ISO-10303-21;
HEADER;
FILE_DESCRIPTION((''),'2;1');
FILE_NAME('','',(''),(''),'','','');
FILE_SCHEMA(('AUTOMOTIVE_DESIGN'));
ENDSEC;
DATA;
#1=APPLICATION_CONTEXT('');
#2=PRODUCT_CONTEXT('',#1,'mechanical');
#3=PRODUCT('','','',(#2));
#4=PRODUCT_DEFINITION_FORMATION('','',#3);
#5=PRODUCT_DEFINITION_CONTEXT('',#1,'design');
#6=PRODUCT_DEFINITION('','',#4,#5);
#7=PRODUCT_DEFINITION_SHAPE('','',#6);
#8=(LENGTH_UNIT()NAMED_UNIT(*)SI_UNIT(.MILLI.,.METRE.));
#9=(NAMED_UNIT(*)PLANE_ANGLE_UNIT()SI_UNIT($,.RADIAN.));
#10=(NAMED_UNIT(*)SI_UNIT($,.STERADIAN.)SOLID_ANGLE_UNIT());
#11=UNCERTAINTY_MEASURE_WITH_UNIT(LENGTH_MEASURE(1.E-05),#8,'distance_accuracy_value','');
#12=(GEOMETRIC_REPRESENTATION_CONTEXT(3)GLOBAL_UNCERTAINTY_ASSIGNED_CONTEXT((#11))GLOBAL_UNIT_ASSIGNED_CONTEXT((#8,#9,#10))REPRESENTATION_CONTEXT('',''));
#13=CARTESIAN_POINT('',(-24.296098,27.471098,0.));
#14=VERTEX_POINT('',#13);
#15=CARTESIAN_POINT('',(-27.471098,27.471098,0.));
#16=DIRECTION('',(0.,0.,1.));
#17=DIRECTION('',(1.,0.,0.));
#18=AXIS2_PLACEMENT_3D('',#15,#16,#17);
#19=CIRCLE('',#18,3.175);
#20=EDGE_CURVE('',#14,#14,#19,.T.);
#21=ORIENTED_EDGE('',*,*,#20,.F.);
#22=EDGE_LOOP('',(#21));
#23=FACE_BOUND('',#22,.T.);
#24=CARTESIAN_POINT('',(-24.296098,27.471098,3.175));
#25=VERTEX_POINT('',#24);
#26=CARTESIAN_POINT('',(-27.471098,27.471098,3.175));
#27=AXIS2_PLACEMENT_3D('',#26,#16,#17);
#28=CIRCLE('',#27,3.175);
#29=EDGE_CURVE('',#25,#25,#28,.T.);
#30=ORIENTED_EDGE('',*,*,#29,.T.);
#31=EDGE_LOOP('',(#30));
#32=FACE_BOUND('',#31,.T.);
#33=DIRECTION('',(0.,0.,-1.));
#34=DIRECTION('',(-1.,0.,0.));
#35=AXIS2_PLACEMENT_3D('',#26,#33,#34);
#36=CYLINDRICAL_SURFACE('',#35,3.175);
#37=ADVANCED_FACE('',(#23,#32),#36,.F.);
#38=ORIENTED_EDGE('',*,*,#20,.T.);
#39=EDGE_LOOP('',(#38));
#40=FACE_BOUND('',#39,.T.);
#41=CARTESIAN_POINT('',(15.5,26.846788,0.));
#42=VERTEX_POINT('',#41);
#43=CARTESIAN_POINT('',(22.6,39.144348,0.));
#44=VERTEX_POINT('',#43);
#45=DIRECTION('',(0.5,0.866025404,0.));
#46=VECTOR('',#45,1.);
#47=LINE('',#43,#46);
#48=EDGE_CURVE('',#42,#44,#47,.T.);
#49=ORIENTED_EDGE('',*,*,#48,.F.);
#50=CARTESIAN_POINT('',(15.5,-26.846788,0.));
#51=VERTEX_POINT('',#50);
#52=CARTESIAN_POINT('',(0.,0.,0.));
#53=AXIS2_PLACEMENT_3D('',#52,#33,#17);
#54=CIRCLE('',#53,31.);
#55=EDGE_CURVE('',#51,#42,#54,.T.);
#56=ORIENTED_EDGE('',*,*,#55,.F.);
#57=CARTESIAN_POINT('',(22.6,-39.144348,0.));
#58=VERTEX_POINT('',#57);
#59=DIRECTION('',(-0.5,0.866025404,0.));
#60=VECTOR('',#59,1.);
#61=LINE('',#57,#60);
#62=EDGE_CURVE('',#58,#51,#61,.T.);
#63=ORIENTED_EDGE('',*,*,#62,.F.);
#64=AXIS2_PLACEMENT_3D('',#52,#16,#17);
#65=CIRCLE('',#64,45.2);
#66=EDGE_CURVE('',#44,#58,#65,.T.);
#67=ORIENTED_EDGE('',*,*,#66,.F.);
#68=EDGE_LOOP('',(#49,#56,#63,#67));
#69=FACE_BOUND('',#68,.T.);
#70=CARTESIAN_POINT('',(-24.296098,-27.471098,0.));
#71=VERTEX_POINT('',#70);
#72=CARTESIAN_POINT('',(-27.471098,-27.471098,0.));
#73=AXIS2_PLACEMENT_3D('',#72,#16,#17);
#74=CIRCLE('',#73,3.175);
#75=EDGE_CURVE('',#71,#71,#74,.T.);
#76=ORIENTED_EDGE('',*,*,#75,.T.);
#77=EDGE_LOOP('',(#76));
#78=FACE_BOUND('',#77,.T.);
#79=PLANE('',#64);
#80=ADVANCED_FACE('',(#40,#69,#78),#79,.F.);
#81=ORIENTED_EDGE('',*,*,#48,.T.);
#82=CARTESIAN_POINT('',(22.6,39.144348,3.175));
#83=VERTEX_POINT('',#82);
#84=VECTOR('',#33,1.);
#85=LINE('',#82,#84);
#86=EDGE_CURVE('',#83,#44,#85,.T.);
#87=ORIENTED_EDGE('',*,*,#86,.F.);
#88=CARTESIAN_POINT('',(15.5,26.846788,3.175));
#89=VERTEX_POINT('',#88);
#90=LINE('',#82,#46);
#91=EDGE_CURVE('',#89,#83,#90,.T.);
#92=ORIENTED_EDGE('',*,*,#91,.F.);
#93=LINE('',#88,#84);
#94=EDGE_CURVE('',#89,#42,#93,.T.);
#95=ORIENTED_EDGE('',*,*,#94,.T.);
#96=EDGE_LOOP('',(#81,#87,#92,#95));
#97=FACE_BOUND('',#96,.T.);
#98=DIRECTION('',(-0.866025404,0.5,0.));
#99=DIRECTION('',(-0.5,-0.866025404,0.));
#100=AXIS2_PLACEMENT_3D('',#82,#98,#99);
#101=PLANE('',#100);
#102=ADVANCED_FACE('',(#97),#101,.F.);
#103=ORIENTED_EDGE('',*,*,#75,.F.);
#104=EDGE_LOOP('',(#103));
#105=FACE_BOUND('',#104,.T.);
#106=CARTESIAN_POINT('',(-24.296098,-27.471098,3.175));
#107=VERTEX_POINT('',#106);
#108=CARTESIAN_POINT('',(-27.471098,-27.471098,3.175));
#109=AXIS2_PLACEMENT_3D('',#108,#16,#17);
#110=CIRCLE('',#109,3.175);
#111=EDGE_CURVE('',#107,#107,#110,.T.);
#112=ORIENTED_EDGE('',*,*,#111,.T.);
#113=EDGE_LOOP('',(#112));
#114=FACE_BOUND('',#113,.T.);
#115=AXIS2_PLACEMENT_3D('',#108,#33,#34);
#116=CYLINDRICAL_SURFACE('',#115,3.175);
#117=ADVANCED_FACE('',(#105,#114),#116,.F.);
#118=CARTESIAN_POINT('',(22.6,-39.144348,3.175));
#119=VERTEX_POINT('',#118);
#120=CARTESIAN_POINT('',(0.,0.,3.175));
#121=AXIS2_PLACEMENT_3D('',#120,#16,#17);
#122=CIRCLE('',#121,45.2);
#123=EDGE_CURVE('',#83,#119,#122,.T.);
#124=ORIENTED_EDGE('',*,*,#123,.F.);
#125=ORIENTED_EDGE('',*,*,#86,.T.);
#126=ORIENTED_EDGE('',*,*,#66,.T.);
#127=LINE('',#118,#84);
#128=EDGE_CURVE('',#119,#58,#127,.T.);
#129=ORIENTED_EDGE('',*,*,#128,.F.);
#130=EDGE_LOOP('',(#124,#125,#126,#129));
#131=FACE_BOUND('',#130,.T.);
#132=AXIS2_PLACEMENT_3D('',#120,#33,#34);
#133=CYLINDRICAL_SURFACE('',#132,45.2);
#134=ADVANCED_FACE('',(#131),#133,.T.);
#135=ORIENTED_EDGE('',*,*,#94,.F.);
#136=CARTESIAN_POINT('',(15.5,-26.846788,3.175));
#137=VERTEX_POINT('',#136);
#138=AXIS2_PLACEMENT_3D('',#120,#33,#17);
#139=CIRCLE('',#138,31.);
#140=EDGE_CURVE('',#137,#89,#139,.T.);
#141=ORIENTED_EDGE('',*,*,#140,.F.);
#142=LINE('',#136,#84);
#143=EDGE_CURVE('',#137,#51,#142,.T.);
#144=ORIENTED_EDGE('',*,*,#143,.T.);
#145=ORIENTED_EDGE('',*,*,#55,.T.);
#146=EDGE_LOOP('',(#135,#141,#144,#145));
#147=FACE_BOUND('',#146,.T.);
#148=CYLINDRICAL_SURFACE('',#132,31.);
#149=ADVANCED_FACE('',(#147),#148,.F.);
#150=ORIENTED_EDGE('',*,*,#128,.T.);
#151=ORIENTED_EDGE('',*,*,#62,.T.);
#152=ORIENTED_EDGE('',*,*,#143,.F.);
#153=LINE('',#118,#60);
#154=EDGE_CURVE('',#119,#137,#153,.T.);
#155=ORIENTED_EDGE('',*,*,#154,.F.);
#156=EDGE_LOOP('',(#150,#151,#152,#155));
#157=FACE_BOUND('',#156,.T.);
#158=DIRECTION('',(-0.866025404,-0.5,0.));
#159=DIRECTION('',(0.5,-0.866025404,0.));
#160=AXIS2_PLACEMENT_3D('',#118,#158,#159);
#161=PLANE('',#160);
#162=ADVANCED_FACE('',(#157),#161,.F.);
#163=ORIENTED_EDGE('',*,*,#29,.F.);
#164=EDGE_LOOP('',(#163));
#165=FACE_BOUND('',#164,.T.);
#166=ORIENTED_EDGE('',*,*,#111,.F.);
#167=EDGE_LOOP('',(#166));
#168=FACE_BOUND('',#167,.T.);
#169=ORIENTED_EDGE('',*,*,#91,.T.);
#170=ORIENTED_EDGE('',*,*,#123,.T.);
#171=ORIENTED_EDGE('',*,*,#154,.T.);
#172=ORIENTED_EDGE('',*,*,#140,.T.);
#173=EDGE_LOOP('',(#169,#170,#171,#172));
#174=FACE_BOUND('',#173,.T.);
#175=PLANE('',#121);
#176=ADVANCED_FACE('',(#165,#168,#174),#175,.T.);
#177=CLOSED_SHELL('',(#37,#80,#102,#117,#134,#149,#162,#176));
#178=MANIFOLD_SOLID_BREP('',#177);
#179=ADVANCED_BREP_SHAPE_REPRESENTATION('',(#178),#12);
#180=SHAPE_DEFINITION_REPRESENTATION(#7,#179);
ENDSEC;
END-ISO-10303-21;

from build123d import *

# Parameters (mm, degrees)
SKETCH2_R           = 3.175
BOSS_EXTRUDE2_DEPTH = 3.175


with BuildPart() as part:
    # Sketch2 → Boss-Extrude2 (new body)
    with BuildSketch(Plane.XY):
        with BuildLine():
            Line((22.6, 39.144348251), (15.500000012, 26.846787538))
            ThreePointArc((15.500000012, 26.846787538), (-31.000000024, 0), (15.500000012, -26.846787538))
            Line((15.500000012, -26.846787538), (22.6, -39.144348251))
            ThreePointArc((22.6, -39.144348251), (-45.2, 0), (22.6, 39.144348251))
        make_face()
        with Locations((-27.471098449, -27.471098449)):
            Circle(SKETCH2_R, mode=Mode.SUBTRACT)
        with Locations((-27.471098449, 27.471098449)):
            Circle(SKETCH2_R, mode=Mode.SUBTRACT)
    extrude(amount=BOSS_EXTRUDE2_DEPTH)


solid = part.part
